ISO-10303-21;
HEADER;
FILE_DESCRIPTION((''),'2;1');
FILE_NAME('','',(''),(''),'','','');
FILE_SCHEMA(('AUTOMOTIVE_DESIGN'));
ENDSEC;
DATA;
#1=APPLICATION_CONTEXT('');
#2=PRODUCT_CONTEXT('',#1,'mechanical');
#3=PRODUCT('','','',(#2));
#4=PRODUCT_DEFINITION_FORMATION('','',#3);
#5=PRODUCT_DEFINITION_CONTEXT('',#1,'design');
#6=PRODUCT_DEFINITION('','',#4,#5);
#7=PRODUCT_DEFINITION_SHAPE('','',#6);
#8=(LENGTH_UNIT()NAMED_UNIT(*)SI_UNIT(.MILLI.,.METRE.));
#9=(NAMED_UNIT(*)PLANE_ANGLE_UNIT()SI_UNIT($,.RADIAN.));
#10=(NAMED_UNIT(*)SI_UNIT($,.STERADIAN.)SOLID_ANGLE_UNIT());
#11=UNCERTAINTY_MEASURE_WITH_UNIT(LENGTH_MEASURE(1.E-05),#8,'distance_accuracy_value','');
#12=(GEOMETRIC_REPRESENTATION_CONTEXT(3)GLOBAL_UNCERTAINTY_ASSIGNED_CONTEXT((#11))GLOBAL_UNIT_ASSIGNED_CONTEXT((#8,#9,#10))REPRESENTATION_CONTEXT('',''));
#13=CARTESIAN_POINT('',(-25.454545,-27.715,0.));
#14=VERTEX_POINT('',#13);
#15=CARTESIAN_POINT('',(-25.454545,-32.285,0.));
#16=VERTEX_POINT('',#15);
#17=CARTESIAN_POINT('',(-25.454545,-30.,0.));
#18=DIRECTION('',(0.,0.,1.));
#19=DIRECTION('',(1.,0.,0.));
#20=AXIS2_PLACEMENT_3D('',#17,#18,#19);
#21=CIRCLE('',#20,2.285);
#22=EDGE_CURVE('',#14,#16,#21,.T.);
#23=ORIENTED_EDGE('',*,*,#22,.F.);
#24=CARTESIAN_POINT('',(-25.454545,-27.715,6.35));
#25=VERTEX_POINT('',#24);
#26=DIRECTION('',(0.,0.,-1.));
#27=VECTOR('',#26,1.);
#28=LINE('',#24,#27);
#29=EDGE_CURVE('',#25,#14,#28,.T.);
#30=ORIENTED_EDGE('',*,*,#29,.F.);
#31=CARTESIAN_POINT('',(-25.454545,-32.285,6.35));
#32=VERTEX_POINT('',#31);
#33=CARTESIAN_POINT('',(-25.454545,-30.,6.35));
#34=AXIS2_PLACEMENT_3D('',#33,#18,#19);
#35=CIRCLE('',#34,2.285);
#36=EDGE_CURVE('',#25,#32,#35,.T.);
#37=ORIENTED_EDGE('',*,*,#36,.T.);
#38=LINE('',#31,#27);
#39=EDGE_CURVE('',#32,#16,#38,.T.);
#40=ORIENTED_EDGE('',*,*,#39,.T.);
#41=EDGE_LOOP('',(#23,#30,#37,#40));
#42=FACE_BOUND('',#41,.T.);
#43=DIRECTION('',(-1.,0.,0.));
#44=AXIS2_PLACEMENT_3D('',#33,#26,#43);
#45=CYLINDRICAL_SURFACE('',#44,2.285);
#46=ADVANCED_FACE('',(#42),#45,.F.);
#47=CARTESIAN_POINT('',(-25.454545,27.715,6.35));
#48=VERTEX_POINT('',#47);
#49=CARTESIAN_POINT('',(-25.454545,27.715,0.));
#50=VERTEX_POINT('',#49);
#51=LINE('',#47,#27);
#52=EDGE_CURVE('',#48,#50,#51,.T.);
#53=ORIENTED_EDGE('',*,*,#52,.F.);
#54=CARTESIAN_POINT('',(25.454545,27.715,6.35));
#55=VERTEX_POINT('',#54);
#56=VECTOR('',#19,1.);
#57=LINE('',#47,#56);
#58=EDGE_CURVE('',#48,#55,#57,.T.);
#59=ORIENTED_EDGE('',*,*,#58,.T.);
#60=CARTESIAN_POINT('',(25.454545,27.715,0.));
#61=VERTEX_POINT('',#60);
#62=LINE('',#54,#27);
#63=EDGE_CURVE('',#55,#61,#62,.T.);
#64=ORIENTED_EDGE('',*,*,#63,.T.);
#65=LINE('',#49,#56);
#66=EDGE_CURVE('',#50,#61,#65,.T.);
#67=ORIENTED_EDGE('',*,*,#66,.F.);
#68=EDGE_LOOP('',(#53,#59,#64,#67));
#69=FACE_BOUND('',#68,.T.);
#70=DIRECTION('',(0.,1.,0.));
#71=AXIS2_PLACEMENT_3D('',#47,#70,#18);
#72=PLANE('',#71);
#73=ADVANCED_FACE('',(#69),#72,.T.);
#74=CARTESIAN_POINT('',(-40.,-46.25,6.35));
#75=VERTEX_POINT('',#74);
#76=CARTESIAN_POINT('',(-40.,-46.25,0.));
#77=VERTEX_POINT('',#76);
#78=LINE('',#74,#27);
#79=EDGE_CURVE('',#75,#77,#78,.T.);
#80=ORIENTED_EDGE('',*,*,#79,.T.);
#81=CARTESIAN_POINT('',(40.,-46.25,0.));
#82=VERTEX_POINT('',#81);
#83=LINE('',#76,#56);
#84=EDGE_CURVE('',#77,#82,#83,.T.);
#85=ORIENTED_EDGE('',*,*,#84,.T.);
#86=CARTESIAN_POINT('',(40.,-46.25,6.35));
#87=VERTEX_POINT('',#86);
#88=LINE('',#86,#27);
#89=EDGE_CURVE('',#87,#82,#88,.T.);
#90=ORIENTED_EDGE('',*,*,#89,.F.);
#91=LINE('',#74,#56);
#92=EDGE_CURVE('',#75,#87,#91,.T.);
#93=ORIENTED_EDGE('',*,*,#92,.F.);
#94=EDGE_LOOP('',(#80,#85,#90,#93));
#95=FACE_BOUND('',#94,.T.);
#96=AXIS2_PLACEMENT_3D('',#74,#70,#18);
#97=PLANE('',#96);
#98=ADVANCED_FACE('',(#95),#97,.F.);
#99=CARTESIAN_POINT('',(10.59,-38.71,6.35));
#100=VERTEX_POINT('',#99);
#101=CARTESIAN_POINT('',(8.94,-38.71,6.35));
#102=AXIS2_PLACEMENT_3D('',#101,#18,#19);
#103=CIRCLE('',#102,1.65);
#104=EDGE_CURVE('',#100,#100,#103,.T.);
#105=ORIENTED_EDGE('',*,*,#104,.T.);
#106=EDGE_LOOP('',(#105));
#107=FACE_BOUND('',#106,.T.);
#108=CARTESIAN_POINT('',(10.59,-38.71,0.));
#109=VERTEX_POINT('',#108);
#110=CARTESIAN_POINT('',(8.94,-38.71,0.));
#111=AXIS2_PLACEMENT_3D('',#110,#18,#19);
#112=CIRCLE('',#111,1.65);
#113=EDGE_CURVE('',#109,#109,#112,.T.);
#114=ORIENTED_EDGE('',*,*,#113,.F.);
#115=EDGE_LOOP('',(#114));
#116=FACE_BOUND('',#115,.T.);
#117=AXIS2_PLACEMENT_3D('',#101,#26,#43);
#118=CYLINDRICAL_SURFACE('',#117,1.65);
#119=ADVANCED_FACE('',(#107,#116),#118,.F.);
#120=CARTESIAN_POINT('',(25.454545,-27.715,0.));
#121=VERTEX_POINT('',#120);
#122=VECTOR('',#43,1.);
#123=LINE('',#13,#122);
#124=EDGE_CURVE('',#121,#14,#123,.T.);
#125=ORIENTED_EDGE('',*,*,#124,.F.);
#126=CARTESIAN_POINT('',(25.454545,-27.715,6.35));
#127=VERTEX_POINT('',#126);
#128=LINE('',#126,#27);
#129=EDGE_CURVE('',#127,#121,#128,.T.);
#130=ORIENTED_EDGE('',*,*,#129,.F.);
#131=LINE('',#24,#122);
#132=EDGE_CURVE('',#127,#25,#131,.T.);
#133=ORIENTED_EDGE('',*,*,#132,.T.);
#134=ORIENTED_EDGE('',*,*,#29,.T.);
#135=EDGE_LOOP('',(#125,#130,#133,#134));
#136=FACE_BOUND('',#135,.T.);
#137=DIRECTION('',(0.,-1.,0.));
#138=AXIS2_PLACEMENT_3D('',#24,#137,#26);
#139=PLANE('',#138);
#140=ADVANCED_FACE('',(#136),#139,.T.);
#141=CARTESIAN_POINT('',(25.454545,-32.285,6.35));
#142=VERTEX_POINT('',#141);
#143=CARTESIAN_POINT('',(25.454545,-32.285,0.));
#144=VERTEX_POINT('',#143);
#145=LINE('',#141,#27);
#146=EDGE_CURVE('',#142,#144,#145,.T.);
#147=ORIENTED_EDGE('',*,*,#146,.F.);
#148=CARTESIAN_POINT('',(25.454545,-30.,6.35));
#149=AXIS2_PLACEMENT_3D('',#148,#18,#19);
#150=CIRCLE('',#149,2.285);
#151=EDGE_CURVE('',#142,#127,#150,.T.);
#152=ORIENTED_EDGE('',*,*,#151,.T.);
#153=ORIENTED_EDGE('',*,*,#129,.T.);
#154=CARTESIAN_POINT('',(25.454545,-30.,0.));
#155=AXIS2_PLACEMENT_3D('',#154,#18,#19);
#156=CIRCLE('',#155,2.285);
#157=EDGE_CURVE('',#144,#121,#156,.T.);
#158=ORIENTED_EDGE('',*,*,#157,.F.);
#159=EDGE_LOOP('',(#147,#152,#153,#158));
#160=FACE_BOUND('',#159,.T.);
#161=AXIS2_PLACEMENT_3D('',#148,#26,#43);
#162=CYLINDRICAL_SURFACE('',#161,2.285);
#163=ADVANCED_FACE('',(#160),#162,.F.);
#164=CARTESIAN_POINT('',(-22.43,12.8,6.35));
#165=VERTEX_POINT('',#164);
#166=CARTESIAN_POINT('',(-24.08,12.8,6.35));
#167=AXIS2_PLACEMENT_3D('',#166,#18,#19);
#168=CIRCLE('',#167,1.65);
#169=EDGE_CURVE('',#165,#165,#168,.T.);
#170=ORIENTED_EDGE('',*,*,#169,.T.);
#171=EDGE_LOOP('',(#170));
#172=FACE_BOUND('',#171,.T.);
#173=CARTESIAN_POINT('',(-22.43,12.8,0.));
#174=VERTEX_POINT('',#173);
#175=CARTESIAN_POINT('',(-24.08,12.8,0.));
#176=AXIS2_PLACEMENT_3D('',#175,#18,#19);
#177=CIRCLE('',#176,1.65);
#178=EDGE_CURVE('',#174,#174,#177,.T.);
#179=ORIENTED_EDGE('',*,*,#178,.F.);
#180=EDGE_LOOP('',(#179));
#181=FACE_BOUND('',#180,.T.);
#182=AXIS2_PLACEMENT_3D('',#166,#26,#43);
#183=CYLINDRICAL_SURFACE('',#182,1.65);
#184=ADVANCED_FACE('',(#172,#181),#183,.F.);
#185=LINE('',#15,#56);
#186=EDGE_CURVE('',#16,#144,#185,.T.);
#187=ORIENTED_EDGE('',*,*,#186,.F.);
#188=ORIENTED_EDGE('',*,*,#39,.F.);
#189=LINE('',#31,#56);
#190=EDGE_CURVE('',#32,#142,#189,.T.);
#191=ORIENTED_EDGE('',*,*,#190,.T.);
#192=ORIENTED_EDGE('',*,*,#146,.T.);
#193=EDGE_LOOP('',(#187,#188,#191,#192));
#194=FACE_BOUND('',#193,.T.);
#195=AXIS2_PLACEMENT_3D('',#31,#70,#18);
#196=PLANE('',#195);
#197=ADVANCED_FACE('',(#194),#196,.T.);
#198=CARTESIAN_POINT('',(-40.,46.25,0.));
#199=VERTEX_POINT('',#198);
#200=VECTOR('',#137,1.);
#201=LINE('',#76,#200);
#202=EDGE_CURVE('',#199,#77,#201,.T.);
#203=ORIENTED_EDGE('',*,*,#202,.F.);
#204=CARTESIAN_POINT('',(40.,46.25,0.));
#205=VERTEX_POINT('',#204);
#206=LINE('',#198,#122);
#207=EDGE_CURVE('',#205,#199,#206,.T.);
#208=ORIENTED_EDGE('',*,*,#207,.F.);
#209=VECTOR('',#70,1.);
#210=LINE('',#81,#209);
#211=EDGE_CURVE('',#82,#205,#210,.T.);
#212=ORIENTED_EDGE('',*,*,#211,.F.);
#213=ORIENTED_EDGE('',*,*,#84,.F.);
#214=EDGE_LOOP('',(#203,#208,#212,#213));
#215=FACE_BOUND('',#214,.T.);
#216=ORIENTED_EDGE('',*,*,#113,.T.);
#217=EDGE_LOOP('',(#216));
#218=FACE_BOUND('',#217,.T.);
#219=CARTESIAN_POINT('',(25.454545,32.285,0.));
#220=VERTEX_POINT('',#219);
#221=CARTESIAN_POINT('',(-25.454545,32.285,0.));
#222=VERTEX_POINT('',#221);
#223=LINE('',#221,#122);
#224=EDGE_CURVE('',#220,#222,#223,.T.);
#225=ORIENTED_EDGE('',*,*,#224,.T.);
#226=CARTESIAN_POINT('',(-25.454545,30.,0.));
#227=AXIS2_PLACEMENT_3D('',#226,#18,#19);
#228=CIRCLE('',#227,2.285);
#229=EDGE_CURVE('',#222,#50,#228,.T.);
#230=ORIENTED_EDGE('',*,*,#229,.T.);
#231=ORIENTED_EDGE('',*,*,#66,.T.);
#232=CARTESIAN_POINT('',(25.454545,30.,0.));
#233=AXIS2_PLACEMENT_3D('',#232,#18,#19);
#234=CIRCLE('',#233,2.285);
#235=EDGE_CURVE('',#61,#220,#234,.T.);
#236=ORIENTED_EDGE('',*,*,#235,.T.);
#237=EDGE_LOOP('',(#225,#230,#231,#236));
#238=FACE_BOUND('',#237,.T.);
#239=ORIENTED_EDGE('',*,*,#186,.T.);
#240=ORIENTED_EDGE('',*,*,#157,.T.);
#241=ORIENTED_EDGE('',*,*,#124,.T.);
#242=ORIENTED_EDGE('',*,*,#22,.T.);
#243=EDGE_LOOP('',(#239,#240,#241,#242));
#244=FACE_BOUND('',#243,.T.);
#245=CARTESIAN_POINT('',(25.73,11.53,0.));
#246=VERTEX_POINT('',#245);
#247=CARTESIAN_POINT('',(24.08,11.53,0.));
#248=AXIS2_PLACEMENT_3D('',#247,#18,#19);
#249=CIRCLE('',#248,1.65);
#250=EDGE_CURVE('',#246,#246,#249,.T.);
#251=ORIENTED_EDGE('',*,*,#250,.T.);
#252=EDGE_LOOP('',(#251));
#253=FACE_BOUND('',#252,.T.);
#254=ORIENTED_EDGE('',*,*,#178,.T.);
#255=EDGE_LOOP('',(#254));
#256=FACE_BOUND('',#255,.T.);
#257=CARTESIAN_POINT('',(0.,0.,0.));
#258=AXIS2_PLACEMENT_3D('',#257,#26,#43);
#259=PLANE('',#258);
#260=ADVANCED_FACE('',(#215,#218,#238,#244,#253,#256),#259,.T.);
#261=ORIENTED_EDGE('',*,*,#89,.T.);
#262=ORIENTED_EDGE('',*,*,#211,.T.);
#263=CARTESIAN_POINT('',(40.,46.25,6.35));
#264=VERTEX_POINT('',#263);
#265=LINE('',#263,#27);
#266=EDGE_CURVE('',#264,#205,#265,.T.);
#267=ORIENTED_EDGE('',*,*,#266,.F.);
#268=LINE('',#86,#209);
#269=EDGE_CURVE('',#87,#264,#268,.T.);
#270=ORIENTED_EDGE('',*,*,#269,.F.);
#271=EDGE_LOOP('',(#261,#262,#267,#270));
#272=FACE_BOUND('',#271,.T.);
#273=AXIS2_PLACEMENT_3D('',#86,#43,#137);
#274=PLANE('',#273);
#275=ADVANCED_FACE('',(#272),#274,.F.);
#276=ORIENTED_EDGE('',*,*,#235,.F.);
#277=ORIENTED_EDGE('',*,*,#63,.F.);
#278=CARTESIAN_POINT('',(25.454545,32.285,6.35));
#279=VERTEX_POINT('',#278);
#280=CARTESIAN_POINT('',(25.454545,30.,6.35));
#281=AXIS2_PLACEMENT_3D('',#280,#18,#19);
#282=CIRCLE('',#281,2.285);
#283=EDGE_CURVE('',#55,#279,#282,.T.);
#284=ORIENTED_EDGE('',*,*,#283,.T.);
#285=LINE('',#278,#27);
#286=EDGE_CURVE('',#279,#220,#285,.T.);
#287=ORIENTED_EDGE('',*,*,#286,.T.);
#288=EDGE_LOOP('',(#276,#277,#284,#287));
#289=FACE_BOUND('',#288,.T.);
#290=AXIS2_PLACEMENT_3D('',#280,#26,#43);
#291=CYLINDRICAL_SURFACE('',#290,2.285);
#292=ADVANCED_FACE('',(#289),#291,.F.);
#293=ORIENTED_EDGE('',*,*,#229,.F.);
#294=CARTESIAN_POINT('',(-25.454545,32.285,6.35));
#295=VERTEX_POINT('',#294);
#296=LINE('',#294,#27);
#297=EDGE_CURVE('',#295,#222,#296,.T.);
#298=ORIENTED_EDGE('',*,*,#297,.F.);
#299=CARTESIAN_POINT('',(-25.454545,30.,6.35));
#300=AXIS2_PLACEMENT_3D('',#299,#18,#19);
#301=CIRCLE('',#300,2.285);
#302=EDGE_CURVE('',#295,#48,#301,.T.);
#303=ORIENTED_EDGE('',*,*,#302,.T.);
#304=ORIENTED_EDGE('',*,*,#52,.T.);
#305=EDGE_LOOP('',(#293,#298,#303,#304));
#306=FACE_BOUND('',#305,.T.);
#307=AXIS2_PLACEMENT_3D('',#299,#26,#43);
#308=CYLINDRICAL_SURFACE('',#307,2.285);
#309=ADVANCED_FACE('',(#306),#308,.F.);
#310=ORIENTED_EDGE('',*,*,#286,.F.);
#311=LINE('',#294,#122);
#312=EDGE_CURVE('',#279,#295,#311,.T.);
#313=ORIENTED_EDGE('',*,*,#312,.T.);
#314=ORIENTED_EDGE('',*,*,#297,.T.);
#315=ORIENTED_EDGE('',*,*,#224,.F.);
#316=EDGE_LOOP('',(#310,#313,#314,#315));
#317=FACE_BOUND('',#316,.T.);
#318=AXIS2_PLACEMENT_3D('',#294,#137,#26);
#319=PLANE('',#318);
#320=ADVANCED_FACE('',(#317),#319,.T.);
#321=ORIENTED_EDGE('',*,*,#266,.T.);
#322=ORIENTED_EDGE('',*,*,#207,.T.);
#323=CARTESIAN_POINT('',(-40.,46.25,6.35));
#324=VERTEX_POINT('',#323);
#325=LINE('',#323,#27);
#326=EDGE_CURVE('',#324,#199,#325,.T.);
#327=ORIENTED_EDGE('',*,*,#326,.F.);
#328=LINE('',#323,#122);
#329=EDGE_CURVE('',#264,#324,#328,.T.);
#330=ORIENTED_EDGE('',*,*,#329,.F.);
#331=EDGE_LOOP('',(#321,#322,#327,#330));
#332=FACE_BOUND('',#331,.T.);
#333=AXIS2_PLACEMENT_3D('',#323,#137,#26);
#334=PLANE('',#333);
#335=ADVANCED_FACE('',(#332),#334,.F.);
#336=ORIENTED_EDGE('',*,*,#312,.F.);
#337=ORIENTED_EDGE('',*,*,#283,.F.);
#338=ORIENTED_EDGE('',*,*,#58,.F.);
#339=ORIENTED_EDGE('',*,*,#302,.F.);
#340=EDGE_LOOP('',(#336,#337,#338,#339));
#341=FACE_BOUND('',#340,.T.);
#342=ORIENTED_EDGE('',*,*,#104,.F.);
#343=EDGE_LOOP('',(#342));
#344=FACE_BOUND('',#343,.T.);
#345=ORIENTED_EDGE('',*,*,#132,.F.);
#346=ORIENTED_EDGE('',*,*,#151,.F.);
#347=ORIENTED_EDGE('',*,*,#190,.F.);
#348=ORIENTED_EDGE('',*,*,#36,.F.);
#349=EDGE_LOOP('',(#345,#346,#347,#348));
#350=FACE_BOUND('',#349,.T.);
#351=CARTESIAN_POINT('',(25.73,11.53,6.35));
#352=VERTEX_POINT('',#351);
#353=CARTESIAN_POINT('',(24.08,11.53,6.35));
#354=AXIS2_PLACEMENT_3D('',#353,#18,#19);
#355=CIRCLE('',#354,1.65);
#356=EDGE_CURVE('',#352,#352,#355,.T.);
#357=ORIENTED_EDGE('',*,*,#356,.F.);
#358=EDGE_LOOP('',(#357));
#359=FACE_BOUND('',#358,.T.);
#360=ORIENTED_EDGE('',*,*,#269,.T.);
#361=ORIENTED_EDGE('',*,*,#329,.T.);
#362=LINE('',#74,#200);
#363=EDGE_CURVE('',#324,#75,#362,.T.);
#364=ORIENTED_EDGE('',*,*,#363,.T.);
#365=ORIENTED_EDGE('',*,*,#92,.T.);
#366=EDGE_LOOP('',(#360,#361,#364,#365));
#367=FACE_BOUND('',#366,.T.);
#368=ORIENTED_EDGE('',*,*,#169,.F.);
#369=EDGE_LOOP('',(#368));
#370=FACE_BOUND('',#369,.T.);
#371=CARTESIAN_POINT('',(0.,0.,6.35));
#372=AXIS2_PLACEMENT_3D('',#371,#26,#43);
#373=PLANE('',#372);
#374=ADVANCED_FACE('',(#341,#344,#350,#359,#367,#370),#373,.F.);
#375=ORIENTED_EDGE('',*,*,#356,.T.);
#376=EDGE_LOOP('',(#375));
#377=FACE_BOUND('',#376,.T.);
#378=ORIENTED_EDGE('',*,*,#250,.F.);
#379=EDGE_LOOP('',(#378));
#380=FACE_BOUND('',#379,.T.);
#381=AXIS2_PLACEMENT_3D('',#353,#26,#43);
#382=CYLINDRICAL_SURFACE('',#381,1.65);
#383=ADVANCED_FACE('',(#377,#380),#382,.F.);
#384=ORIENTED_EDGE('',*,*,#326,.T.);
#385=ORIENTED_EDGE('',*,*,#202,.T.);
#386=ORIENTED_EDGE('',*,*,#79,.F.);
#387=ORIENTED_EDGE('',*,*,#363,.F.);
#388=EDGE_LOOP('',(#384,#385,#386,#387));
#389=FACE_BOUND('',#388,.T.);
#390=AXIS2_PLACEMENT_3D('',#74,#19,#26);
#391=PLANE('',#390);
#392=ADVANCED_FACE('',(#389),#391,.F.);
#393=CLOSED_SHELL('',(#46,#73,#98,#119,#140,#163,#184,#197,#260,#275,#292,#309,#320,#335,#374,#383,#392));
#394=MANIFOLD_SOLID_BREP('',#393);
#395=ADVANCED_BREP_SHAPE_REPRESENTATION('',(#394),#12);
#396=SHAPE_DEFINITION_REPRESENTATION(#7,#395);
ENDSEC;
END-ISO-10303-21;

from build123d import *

# Parameters (mm, degrees)
SKETCH1_W           = 80
SKETCH1_H           = 92.5
SKETCH1_R           = 1.65
BOSS_EXTRUDE2_DEPTH = 6.35


with BuildPart() as part:
    # Sketch1 → Boss-Extrude2 (new body)
    with BuildSketch(Plane.XY):
        Rectangle(SKETCH1_W, SKETCH1_H)
        with Locations((-24.08, 12.8)):
            Circle(SKETCH1_R, mode=Mode.SUBTRACT)
        with Locations((24.08, 11.53)):
            Circle(SKETCH1_R, mode=Mode.SUBTRACT)
        with Locations((8.94, -38.71)):
            Circle(SKETCH1_R, mode=Mode.SUBTRACT)
        with BuildLine():
            Line((-25.454545455, 32.285), (25.454545455, 32.285))
            ThreePointArc((25.454545455, 32.285), (27.739545455, 30), (25.454545455, 27.715))
            Line((25.454545455, 27.715), (-25.454545455, 27.715))
            ThreePointArc((-25.454545455, 27.715), (-27.739545455, 30), (-25.454545455, 32.285))
        make_face(mode=Mode.SUBTRACT)
        with BuildLine():
            Line((-25.454545455, -27.715), (25.454545455, -27.715))
            ThreePointArc((25.454545455, -27.715), (27.739545455, -30), (25.454545455, -32.285))
            Line((25.454545455, -32.285), (-25.454545455, -32.285))
            ThreePointArc((-25.454545455, -32.285), (-27.739545455, -30), (-25.454545455, -27.715))
        make_face(mode=Mode.SUBTRACT)
    extrude(amount=BOSS_EXTRUDE2_DEPTH)


solid = part.part
